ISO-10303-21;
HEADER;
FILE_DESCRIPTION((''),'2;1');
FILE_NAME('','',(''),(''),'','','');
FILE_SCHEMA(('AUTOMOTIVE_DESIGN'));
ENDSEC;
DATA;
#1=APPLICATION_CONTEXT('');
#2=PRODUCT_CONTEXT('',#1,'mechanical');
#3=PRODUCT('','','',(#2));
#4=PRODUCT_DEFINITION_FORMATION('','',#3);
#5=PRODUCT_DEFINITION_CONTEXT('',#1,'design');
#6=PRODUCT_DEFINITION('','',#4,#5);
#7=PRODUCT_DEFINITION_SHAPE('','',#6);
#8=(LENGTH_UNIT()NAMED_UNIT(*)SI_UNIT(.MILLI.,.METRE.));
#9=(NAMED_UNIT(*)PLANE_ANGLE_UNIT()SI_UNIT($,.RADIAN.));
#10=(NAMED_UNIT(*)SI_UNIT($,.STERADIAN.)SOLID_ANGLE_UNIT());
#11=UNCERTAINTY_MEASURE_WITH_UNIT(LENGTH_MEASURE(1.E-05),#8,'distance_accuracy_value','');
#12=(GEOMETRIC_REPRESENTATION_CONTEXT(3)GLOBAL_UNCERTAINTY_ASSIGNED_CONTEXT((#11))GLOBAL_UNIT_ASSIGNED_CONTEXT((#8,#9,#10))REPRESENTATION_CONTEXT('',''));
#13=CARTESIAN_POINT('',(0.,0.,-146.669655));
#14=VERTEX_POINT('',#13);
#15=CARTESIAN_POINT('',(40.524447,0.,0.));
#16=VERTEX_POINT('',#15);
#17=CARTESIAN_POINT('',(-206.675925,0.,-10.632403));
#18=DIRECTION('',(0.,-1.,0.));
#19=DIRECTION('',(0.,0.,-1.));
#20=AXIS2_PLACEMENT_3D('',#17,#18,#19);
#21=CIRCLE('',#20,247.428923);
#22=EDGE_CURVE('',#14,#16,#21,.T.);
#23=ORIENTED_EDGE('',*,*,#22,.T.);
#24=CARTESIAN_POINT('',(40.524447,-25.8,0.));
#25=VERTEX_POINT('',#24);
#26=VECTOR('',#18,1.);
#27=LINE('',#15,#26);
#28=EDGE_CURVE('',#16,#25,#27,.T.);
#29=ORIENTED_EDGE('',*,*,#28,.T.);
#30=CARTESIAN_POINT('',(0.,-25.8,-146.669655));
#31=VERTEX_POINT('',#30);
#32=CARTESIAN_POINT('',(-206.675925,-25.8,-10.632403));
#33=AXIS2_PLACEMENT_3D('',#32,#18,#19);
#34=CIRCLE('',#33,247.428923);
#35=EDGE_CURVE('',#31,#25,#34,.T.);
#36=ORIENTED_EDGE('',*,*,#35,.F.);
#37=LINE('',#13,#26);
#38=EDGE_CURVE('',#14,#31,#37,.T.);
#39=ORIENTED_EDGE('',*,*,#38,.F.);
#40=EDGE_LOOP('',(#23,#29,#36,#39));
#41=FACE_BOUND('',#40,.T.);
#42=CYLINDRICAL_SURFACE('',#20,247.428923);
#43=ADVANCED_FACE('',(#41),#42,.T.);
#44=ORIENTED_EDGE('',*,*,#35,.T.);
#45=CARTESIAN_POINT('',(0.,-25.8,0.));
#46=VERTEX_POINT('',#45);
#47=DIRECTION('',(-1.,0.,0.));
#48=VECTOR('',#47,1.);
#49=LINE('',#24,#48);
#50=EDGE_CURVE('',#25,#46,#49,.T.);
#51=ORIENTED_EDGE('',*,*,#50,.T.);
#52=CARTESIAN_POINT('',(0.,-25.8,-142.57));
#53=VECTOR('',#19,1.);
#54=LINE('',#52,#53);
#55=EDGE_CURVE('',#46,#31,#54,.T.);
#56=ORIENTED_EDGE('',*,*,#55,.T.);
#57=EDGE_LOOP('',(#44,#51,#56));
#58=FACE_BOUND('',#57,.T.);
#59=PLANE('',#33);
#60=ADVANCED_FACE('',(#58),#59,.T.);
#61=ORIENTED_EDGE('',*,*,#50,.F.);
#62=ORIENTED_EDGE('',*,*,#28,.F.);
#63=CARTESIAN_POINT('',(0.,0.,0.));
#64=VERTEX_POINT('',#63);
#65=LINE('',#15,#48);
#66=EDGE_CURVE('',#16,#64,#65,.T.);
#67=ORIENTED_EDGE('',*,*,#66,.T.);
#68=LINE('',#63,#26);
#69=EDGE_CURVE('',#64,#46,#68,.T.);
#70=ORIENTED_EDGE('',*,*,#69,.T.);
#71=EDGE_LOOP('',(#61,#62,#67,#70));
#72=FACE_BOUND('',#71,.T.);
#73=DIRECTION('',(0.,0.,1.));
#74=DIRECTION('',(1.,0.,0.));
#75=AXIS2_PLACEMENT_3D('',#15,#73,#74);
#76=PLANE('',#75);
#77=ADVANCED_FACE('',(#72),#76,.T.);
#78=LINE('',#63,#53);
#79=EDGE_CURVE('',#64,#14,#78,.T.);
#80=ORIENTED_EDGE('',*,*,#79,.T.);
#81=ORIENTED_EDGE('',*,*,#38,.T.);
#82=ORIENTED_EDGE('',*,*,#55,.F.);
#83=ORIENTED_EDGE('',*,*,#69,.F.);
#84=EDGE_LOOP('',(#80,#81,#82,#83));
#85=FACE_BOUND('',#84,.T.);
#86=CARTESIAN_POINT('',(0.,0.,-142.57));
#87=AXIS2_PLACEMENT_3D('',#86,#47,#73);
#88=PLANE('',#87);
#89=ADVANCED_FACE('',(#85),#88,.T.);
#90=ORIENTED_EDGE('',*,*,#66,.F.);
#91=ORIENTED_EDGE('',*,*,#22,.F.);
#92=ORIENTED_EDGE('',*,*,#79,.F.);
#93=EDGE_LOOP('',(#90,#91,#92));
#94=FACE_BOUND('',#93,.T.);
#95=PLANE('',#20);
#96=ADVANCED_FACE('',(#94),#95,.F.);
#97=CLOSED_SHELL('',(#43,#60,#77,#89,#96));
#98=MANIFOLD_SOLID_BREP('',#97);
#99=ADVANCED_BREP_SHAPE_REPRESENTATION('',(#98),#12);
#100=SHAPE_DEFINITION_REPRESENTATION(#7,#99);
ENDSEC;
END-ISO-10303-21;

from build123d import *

# Parameters (mm, degrees)
BOSS_EXTRUDE1_DEPTH = 25.8


with BuildPart() as part:
    # Sketch1 → Boss-Extrude1 (new body)
    with BuildSketch(Plane.XZ.offset(25.8)):
        with BuildLine():
            Line((0, -142.57), (0, -146.669654615))
            ThreePointArc((0, -146.669654615), (20.636657337, -108.356820058), (34.24187868, -67.021086485))
            ThreePointArc((34.24187868, -67.021086485), (39.673003905, -33.725193348), (40.524446622, 0))
            Line((40.524446622, 0), (0, 0))
            Line((0, 0), (0, -142.57))
        make_face()
    extrude(amount=-BOSS_EXTRUDE1_DEPTH)


solid = part.part
